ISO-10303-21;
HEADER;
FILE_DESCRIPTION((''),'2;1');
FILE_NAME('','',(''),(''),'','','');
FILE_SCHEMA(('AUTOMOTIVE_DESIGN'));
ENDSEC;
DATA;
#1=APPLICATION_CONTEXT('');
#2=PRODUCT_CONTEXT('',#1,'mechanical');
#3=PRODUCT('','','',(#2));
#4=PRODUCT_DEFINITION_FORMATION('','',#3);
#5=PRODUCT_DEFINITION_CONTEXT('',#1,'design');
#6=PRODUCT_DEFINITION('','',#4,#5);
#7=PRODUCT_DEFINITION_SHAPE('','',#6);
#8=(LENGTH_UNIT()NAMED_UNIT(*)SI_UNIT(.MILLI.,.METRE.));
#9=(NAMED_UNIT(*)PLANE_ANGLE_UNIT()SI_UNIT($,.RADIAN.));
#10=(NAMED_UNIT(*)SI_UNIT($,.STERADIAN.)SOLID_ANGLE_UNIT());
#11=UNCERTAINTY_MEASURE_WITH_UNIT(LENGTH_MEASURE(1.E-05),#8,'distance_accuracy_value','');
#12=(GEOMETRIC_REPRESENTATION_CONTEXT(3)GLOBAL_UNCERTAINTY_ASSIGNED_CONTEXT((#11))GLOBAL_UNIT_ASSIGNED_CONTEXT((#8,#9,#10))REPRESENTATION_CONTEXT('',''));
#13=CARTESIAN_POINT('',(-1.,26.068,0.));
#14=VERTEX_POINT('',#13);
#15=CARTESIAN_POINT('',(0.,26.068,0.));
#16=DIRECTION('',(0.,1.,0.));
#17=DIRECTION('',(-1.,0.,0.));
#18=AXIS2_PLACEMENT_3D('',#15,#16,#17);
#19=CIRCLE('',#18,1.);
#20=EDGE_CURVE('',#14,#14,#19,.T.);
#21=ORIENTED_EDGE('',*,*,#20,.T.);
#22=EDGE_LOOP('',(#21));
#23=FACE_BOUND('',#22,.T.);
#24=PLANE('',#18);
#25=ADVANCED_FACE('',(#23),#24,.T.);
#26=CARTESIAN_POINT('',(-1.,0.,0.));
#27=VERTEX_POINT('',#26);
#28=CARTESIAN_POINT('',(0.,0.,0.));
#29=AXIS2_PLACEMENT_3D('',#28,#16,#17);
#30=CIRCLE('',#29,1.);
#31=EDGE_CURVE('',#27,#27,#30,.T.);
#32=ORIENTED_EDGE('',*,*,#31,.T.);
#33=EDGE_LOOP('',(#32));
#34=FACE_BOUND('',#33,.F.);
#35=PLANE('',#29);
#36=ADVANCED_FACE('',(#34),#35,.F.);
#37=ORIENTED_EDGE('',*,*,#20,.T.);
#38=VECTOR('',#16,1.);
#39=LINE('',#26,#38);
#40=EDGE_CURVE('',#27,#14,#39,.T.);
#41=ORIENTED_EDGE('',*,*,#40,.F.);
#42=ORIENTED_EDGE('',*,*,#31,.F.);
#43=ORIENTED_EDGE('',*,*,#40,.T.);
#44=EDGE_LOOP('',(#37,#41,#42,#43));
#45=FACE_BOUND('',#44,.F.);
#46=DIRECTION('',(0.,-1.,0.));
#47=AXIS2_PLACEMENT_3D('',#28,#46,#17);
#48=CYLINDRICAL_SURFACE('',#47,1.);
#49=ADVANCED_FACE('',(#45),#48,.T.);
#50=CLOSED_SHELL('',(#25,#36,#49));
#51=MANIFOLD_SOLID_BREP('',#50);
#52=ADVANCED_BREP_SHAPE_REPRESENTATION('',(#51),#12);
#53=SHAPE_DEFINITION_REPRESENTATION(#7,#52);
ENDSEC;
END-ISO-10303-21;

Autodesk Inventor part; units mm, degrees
ref_plane "YZ Plane" through (0, 0, 0) normal (1, 0, 0) x (0, 1, 0)
ref_plane "XZ Plane" through (0, 0, 0) normal (0, 1, 0) x (-1, 0, 0)
ref_plane "XY Plane" through (0, 0, 0) normal (0, 0, 1) x (1, 0, 0)
sketch "Sketch1" plane through (0, 0, 0) normal (0, 1, 0) x (-1, 0, 0)
  circle A0 centre (0, 0) radius 1
  dimension "d0" = 2
extrude "Extrusion1" add sketch "Sketch1" along normal blind 26.068
ref_plane "Work Plane1" through (0, -30, 0) normal (0, -1, 0) x (1, 0, 0)
properties part number "LOOP2_COLL_POSTDEF2"
